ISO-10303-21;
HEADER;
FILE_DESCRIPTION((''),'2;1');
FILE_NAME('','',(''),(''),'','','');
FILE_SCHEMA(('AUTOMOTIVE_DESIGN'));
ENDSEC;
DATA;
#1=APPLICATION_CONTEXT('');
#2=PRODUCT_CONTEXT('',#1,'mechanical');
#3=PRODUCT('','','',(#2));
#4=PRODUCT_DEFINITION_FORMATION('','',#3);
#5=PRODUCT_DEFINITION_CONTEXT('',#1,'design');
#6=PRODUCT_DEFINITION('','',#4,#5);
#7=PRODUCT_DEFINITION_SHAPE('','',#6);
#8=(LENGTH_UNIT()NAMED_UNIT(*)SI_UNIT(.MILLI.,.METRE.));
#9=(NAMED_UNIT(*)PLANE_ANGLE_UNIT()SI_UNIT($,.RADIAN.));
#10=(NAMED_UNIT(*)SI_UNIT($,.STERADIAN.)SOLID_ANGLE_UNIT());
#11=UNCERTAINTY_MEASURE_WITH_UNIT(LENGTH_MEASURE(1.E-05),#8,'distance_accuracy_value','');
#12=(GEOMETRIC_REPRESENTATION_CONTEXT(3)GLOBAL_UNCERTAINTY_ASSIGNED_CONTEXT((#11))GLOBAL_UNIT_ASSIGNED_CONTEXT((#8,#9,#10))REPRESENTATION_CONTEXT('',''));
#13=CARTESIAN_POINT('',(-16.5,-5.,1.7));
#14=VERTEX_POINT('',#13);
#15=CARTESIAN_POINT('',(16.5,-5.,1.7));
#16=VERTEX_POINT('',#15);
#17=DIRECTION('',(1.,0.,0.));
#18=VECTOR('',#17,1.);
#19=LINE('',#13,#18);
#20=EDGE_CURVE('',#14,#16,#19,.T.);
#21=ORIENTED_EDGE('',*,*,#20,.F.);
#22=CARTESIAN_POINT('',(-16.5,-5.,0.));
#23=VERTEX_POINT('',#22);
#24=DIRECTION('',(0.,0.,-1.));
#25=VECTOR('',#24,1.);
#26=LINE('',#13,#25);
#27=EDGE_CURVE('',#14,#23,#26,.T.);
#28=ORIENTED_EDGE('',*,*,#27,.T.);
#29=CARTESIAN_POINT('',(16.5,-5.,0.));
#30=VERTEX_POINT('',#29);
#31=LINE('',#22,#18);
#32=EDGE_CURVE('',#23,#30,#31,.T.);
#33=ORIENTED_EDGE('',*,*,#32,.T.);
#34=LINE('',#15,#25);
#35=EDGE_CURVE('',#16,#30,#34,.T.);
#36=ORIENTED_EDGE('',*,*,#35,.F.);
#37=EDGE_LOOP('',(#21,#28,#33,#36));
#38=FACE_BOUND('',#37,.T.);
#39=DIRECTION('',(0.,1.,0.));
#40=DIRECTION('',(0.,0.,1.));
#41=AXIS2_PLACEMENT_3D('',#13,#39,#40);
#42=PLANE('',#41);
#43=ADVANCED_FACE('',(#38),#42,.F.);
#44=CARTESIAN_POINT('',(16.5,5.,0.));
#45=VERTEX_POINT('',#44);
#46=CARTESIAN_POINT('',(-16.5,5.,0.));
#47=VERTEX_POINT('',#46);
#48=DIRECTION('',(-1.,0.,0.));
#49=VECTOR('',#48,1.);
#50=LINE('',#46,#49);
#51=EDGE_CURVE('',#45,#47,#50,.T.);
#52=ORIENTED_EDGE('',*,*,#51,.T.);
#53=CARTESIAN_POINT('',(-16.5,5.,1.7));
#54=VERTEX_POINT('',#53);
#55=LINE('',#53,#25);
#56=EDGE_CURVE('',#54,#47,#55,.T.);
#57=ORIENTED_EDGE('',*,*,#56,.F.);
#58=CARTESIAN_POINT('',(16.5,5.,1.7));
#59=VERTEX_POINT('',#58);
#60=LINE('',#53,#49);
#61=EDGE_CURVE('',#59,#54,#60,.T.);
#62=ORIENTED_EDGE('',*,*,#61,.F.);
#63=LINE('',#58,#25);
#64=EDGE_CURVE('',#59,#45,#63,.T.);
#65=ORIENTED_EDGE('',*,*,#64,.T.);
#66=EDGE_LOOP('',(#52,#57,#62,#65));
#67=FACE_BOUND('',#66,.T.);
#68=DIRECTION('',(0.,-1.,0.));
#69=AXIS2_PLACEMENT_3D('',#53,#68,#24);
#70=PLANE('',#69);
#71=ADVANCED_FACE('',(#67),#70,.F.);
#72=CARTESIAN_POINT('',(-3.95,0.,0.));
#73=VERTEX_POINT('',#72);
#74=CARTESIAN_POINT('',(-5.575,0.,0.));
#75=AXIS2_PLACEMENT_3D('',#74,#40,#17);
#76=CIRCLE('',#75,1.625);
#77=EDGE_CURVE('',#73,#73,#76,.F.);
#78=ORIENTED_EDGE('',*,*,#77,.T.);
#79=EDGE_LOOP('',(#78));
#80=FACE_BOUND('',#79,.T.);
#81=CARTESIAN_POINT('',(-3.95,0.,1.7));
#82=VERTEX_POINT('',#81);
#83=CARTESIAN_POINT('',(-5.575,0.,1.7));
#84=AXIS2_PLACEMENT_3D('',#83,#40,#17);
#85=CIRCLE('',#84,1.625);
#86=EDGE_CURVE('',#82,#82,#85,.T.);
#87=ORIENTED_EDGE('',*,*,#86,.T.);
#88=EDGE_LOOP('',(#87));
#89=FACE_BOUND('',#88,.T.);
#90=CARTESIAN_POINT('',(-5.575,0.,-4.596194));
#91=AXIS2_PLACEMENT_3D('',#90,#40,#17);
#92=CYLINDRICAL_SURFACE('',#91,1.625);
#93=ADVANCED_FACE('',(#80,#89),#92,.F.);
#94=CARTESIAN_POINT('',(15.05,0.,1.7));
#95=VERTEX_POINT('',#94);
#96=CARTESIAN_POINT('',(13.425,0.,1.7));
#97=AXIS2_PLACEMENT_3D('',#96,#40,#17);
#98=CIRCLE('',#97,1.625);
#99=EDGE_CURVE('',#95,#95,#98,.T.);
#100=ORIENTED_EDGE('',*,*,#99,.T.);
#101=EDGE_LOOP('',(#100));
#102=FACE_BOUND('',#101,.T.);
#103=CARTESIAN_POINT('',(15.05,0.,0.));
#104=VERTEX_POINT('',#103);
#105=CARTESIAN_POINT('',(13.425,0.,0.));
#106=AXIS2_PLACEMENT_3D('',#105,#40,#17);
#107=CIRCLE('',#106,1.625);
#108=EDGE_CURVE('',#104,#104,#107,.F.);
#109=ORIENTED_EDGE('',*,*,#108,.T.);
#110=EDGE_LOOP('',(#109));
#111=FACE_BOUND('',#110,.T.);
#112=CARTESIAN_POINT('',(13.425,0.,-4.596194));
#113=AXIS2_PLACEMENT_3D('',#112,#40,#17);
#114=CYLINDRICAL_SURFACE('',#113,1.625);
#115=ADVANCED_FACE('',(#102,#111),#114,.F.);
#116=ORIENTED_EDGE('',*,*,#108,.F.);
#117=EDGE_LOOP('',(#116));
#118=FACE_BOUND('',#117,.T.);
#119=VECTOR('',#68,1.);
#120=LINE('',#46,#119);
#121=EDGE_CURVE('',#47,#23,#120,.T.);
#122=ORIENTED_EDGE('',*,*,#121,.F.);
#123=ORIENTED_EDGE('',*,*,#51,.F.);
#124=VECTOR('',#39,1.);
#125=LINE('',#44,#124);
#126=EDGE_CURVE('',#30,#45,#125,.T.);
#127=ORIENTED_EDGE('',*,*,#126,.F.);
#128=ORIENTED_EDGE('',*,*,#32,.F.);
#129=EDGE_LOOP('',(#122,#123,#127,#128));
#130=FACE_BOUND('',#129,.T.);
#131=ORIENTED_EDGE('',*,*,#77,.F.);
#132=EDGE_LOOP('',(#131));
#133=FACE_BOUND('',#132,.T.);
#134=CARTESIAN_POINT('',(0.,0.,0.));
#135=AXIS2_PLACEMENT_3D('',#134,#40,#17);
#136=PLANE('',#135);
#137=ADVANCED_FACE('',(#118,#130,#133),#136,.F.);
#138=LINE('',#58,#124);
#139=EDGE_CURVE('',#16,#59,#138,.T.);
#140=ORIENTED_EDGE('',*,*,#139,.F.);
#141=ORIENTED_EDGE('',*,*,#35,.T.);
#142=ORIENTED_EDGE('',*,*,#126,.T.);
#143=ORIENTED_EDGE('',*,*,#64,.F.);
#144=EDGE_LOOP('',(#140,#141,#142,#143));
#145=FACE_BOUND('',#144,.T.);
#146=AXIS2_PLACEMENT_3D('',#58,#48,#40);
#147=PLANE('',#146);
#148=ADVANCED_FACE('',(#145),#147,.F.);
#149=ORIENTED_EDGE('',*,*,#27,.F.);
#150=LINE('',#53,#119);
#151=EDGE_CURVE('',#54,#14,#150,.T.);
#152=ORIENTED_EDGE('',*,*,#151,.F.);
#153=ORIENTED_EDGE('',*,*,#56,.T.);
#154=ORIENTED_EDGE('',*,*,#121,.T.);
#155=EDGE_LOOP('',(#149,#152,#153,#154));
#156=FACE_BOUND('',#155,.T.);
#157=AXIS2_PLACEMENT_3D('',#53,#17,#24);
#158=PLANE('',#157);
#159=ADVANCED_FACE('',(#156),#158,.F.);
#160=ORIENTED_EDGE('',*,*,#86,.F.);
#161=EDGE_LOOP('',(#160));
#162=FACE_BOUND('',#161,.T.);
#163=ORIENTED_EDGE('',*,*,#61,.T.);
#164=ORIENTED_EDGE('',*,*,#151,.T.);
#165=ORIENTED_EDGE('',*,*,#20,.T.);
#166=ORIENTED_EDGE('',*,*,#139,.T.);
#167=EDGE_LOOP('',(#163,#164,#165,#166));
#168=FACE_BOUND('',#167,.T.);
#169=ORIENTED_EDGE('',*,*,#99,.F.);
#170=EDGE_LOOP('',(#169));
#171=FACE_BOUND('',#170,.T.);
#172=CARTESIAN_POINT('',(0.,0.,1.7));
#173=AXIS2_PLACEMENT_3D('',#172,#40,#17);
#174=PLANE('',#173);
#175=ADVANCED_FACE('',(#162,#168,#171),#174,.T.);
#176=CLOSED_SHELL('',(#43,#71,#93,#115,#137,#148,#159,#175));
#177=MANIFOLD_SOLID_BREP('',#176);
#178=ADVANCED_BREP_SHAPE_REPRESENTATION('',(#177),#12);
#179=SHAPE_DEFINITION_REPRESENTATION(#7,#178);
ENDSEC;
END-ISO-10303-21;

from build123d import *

# Parameters (mm, degrees)
ESBO_O1_W                = 33
ESBO_O1_H                = 10
RESSALTO_EXTRUS_O1_DEPTH = 1.7
ESBO_O2_R                = 1.625
CORTE_EXTRUS_O1_DEPTH    = 1.7


with BuildPart() as part:
    # Esboço1 → Ressalto-extrusão1 (new body)
    with BuildSketch(Plane.XY):
        Rectangle(ESBO_O1_W, ESBO_O1_H)
    extrude(amount=RESSALTO_EXTRUS_O1_DEPTH)

    # Esboço2 → Corte-extrusão1 (cut)
    with BuildSketch(Plane.XY.offset(1.7)):
        with Locations((13.425, 0)):
            Circle(ESBO_O2_R)
        with Locations((-5.575, 0)):
            Circle(ESBO_O2_R)
    extrude(amount=-CORTE_EXTRUS_O1_DEPTH, mode=Mode.SUBTRACT)


solid = part.part
